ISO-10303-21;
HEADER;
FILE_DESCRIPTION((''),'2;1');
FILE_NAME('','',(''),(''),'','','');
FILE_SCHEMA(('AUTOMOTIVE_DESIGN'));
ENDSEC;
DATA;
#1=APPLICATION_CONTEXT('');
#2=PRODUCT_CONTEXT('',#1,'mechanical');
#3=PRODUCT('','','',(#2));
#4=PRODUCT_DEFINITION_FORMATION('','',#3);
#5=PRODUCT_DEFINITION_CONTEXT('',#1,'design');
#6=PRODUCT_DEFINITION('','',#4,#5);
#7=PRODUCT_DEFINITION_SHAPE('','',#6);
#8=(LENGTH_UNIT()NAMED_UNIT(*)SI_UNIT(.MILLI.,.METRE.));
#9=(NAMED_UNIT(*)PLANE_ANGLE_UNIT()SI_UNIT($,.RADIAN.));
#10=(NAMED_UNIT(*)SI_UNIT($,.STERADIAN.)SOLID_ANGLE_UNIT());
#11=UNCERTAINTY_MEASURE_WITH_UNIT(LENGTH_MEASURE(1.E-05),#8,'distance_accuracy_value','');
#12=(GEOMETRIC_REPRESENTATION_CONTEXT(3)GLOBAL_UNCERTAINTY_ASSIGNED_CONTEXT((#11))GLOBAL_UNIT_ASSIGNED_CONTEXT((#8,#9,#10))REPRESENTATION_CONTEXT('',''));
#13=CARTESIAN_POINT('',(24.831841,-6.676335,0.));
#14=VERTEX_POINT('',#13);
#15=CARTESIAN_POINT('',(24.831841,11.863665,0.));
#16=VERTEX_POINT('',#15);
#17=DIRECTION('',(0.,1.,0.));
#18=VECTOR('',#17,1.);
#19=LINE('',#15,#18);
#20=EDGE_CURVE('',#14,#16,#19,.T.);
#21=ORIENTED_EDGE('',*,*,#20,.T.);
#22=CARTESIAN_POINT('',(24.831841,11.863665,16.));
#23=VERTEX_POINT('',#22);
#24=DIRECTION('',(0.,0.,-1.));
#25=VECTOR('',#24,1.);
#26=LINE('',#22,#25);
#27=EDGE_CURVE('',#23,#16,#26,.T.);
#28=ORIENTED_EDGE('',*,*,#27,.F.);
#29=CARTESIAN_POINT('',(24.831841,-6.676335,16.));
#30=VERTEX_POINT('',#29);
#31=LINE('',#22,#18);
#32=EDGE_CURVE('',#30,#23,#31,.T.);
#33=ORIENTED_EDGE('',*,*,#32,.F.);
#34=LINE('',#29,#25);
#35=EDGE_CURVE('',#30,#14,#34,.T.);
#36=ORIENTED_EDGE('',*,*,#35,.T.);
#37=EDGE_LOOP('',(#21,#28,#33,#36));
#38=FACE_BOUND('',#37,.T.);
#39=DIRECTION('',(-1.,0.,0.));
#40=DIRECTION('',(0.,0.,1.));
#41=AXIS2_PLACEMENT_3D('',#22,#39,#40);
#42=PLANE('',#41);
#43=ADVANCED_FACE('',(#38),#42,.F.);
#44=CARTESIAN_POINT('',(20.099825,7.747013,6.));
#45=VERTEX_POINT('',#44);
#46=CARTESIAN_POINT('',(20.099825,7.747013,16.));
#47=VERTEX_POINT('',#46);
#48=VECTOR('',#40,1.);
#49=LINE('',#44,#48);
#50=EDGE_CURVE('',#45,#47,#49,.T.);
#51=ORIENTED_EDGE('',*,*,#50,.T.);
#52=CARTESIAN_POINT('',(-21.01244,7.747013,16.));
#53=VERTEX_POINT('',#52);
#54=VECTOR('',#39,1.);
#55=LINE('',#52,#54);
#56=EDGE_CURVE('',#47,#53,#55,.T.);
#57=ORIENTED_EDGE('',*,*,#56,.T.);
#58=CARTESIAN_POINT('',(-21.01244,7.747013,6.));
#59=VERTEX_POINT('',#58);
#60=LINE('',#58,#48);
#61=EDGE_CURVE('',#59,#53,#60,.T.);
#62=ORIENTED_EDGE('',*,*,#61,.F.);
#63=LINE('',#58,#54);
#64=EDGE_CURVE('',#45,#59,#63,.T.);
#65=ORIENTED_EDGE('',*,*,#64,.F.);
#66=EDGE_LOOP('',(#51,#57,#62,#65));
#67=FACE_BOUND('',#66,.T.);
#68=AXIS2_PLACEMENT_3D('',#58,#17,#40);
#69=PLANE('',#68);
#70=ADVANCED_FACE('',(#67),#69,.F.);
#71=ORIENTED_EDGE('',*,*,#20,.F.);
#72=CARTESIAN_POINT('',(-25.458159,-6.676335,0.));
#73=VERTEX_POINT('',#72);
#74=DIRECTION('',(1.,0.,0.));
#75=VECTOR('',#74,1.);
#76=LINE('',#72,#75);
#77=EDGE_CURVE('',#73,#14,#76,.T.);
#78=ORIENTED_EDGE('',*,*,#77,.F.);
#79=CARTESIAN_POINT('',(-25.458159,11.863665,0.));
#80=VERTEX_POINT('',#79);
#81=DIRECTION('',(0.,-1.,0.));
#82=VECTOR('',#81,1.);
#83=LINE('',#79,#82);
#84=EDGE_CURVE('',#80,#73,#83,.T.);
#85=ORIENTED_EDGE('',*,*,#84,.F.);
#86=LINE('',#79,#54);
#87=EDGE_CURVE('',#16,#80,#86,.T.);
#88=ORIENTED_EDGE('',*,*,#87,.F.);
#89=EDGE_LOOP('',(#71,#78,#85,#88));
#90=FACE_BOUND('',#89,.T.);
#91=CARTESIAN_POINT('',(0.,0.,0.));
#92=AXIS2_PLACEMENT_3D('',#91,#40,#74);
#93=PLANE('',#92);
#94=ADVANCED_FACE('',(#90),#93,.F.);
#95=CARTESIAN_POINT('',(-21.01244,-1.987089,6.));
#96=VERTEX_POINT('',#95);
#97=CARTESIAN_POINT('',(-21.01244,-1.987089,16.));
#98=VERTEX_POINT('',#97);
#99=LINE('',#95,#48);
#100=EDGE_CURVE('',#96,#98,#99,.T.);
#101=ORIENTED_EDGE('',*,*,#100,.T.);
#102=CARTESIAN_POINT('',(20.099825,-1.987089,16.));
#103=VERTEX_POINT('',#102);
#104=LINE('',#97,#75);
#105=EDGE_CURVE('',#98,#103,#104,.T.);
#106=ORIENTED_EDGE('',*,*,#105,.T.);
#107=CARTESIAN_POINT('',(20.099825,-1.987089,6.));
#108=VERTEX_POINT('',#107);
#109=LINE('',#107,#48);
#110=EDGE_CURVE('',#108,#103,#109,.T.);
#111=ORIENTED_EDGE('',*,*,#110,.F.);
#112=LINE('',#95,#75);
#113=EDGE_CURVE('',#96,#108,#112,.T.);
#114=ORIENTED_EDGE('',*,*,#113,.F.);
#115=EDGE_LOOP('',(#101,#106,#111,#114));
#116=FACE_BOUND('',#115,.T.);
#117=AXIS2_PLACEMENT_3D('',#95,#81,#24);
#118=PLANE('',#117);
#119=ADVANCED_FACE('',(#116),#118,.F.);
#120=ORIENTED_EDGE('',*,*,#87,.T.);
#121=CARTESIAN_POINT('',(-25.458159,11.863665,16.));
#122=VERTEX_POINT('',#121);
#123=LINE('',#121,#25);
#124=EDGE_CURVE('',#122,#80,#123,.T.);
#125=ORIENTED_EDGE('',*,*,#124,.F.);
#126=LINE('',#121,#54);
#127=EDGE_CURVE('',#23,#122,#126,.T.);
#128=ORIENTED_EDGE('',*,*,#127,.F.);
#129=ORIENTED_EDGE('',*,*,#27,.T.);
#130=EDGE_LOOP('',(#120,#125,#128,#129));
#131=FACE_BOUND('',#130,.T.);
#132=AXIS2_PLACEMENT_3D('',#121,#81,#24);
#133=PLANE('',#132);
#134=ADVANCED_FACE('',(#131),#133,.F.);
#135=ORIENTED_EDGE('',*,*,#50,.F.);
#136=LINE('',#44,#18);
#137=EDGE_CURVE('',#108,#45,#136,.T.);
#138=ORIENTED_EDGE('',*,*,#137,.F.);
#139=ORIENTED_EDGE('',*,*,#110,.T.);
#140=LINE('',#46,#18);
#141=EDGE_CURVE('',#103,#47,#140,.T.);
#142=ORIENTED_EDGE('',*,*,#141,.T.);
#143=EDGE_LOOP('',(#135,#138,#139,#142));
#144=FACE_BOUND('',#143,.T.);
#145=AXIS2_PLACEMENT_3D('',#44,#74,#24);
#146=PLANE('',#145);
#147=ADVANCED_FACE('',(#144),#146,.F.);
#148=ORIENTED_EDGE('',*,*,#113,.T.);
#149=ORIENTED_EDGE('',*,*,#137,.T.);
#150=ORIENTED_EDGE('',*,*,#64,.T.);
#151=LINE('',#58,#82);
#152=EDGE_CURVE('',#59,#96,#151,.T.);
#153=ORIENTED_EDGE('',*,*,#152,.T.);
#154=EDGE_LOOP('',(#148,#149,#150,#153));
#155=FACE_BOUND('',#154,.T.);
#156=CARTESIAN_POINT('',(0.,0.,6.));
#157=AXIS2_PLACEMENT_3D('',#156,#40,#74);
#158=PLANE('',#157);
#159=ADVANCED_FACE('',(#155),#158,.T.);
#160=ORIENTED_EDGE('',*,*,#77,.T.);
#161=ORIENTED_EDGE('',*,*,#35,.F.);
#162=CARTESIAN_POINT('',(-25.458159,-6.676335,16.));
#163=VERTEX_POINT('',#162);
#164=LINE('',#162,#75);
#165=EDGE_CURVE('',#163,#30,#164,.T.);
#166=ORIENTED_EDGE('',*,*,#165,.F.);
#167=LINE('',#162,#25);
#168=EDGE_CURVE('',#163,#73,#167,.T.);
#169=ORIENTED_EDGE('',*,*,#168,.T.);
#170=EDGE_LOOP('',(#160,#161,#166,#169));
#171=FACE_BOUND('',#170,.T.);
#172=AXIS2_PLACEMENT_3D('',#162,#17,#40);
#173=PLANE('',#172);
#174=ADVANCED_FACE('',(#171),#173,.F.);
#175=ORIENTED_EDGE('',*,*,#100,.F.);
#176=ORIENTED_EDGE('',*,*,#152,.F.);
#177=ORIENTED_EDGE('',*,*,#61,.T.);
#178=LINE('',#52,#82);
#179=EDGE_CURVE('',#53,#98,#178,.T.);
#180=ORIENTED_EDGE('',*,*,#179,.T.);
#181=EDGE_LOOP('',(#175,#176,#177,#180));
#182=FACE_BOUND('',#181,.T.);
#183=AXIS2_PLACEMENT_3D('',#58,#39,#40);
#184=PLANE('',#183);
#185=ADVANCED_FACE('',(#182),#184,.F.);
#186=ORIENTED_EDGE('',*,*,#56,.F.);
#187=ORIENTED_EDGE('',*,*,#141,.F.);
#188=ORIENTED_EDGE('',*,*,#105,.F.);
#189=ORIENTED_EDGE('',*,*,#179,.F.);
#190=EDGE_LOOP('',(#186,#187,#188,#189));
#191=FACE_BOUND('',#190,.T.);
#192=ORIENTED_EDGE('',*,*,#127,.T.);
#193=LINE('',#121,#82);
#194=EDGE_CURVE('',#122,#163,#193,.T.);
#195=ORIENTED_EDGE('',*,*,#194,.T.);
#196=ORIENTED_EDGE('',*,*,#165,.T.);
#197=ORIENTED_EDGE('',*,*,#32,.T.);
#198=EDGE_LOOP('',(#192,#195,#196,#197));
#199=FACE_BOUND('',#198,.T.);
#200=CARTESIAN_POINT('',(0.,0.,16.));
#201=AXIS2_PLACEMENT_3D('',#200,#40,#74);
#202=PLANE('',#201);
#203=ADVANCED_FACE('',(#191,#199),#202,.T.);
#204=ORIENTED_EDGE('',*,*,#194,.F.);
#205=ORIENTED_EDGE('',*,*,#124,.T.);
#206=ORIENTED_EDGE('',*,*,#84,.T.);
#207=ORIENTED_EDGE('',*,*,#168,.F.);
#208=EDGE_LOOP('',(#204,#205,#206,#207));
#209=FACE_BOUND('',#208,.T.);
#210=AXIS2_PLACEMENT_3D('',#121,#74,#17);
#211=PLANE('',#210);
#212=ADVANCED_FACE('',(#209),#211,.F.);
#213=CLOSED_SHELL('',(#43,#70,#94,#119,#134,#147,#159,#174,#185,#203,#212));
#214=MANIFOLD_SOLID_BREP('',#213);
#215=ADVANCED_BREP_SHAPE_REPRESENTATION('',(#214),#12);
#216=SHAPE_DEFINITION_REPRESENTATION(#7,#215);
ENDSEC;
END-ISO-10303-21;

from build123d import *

# Parameters (mm, degrees)
SKETCH_1_W          = 50.29
SKETCH_1_H          = 18.54
EXTRUDE_1_DEPTH     = 16
SKETCH_2_W          = 41.112264991
SKETCH_2_H          = 9.734101739
CUT_EXTRUDE_1_DEPTH = 10


with BuildPart() as part:
    # 草圖1 → 填料-伸長1 (new body)
    with BuildSketch(Plane.XY):
        with Locations((-0.313158869, 2.593664688)):
            Rectangle(SKETCH_1_W, SKETCH_1_H)
    extrude(amount=EXTRUDE_1_DEPTH)

    # 草圖2 → 除料-伸長1 (cut)
    with BuildSketch(Plane.XY.offset(16)):
        with Locations((-0.456307424, 2.879961799)):
            Rectangle(SKETCH_2_W, SKETCH_2_H)
    extrude(amount=-CUT_EXTRUDE_1_DEPTH, mode=Mode.SUBTRACT)


solid = part.part
